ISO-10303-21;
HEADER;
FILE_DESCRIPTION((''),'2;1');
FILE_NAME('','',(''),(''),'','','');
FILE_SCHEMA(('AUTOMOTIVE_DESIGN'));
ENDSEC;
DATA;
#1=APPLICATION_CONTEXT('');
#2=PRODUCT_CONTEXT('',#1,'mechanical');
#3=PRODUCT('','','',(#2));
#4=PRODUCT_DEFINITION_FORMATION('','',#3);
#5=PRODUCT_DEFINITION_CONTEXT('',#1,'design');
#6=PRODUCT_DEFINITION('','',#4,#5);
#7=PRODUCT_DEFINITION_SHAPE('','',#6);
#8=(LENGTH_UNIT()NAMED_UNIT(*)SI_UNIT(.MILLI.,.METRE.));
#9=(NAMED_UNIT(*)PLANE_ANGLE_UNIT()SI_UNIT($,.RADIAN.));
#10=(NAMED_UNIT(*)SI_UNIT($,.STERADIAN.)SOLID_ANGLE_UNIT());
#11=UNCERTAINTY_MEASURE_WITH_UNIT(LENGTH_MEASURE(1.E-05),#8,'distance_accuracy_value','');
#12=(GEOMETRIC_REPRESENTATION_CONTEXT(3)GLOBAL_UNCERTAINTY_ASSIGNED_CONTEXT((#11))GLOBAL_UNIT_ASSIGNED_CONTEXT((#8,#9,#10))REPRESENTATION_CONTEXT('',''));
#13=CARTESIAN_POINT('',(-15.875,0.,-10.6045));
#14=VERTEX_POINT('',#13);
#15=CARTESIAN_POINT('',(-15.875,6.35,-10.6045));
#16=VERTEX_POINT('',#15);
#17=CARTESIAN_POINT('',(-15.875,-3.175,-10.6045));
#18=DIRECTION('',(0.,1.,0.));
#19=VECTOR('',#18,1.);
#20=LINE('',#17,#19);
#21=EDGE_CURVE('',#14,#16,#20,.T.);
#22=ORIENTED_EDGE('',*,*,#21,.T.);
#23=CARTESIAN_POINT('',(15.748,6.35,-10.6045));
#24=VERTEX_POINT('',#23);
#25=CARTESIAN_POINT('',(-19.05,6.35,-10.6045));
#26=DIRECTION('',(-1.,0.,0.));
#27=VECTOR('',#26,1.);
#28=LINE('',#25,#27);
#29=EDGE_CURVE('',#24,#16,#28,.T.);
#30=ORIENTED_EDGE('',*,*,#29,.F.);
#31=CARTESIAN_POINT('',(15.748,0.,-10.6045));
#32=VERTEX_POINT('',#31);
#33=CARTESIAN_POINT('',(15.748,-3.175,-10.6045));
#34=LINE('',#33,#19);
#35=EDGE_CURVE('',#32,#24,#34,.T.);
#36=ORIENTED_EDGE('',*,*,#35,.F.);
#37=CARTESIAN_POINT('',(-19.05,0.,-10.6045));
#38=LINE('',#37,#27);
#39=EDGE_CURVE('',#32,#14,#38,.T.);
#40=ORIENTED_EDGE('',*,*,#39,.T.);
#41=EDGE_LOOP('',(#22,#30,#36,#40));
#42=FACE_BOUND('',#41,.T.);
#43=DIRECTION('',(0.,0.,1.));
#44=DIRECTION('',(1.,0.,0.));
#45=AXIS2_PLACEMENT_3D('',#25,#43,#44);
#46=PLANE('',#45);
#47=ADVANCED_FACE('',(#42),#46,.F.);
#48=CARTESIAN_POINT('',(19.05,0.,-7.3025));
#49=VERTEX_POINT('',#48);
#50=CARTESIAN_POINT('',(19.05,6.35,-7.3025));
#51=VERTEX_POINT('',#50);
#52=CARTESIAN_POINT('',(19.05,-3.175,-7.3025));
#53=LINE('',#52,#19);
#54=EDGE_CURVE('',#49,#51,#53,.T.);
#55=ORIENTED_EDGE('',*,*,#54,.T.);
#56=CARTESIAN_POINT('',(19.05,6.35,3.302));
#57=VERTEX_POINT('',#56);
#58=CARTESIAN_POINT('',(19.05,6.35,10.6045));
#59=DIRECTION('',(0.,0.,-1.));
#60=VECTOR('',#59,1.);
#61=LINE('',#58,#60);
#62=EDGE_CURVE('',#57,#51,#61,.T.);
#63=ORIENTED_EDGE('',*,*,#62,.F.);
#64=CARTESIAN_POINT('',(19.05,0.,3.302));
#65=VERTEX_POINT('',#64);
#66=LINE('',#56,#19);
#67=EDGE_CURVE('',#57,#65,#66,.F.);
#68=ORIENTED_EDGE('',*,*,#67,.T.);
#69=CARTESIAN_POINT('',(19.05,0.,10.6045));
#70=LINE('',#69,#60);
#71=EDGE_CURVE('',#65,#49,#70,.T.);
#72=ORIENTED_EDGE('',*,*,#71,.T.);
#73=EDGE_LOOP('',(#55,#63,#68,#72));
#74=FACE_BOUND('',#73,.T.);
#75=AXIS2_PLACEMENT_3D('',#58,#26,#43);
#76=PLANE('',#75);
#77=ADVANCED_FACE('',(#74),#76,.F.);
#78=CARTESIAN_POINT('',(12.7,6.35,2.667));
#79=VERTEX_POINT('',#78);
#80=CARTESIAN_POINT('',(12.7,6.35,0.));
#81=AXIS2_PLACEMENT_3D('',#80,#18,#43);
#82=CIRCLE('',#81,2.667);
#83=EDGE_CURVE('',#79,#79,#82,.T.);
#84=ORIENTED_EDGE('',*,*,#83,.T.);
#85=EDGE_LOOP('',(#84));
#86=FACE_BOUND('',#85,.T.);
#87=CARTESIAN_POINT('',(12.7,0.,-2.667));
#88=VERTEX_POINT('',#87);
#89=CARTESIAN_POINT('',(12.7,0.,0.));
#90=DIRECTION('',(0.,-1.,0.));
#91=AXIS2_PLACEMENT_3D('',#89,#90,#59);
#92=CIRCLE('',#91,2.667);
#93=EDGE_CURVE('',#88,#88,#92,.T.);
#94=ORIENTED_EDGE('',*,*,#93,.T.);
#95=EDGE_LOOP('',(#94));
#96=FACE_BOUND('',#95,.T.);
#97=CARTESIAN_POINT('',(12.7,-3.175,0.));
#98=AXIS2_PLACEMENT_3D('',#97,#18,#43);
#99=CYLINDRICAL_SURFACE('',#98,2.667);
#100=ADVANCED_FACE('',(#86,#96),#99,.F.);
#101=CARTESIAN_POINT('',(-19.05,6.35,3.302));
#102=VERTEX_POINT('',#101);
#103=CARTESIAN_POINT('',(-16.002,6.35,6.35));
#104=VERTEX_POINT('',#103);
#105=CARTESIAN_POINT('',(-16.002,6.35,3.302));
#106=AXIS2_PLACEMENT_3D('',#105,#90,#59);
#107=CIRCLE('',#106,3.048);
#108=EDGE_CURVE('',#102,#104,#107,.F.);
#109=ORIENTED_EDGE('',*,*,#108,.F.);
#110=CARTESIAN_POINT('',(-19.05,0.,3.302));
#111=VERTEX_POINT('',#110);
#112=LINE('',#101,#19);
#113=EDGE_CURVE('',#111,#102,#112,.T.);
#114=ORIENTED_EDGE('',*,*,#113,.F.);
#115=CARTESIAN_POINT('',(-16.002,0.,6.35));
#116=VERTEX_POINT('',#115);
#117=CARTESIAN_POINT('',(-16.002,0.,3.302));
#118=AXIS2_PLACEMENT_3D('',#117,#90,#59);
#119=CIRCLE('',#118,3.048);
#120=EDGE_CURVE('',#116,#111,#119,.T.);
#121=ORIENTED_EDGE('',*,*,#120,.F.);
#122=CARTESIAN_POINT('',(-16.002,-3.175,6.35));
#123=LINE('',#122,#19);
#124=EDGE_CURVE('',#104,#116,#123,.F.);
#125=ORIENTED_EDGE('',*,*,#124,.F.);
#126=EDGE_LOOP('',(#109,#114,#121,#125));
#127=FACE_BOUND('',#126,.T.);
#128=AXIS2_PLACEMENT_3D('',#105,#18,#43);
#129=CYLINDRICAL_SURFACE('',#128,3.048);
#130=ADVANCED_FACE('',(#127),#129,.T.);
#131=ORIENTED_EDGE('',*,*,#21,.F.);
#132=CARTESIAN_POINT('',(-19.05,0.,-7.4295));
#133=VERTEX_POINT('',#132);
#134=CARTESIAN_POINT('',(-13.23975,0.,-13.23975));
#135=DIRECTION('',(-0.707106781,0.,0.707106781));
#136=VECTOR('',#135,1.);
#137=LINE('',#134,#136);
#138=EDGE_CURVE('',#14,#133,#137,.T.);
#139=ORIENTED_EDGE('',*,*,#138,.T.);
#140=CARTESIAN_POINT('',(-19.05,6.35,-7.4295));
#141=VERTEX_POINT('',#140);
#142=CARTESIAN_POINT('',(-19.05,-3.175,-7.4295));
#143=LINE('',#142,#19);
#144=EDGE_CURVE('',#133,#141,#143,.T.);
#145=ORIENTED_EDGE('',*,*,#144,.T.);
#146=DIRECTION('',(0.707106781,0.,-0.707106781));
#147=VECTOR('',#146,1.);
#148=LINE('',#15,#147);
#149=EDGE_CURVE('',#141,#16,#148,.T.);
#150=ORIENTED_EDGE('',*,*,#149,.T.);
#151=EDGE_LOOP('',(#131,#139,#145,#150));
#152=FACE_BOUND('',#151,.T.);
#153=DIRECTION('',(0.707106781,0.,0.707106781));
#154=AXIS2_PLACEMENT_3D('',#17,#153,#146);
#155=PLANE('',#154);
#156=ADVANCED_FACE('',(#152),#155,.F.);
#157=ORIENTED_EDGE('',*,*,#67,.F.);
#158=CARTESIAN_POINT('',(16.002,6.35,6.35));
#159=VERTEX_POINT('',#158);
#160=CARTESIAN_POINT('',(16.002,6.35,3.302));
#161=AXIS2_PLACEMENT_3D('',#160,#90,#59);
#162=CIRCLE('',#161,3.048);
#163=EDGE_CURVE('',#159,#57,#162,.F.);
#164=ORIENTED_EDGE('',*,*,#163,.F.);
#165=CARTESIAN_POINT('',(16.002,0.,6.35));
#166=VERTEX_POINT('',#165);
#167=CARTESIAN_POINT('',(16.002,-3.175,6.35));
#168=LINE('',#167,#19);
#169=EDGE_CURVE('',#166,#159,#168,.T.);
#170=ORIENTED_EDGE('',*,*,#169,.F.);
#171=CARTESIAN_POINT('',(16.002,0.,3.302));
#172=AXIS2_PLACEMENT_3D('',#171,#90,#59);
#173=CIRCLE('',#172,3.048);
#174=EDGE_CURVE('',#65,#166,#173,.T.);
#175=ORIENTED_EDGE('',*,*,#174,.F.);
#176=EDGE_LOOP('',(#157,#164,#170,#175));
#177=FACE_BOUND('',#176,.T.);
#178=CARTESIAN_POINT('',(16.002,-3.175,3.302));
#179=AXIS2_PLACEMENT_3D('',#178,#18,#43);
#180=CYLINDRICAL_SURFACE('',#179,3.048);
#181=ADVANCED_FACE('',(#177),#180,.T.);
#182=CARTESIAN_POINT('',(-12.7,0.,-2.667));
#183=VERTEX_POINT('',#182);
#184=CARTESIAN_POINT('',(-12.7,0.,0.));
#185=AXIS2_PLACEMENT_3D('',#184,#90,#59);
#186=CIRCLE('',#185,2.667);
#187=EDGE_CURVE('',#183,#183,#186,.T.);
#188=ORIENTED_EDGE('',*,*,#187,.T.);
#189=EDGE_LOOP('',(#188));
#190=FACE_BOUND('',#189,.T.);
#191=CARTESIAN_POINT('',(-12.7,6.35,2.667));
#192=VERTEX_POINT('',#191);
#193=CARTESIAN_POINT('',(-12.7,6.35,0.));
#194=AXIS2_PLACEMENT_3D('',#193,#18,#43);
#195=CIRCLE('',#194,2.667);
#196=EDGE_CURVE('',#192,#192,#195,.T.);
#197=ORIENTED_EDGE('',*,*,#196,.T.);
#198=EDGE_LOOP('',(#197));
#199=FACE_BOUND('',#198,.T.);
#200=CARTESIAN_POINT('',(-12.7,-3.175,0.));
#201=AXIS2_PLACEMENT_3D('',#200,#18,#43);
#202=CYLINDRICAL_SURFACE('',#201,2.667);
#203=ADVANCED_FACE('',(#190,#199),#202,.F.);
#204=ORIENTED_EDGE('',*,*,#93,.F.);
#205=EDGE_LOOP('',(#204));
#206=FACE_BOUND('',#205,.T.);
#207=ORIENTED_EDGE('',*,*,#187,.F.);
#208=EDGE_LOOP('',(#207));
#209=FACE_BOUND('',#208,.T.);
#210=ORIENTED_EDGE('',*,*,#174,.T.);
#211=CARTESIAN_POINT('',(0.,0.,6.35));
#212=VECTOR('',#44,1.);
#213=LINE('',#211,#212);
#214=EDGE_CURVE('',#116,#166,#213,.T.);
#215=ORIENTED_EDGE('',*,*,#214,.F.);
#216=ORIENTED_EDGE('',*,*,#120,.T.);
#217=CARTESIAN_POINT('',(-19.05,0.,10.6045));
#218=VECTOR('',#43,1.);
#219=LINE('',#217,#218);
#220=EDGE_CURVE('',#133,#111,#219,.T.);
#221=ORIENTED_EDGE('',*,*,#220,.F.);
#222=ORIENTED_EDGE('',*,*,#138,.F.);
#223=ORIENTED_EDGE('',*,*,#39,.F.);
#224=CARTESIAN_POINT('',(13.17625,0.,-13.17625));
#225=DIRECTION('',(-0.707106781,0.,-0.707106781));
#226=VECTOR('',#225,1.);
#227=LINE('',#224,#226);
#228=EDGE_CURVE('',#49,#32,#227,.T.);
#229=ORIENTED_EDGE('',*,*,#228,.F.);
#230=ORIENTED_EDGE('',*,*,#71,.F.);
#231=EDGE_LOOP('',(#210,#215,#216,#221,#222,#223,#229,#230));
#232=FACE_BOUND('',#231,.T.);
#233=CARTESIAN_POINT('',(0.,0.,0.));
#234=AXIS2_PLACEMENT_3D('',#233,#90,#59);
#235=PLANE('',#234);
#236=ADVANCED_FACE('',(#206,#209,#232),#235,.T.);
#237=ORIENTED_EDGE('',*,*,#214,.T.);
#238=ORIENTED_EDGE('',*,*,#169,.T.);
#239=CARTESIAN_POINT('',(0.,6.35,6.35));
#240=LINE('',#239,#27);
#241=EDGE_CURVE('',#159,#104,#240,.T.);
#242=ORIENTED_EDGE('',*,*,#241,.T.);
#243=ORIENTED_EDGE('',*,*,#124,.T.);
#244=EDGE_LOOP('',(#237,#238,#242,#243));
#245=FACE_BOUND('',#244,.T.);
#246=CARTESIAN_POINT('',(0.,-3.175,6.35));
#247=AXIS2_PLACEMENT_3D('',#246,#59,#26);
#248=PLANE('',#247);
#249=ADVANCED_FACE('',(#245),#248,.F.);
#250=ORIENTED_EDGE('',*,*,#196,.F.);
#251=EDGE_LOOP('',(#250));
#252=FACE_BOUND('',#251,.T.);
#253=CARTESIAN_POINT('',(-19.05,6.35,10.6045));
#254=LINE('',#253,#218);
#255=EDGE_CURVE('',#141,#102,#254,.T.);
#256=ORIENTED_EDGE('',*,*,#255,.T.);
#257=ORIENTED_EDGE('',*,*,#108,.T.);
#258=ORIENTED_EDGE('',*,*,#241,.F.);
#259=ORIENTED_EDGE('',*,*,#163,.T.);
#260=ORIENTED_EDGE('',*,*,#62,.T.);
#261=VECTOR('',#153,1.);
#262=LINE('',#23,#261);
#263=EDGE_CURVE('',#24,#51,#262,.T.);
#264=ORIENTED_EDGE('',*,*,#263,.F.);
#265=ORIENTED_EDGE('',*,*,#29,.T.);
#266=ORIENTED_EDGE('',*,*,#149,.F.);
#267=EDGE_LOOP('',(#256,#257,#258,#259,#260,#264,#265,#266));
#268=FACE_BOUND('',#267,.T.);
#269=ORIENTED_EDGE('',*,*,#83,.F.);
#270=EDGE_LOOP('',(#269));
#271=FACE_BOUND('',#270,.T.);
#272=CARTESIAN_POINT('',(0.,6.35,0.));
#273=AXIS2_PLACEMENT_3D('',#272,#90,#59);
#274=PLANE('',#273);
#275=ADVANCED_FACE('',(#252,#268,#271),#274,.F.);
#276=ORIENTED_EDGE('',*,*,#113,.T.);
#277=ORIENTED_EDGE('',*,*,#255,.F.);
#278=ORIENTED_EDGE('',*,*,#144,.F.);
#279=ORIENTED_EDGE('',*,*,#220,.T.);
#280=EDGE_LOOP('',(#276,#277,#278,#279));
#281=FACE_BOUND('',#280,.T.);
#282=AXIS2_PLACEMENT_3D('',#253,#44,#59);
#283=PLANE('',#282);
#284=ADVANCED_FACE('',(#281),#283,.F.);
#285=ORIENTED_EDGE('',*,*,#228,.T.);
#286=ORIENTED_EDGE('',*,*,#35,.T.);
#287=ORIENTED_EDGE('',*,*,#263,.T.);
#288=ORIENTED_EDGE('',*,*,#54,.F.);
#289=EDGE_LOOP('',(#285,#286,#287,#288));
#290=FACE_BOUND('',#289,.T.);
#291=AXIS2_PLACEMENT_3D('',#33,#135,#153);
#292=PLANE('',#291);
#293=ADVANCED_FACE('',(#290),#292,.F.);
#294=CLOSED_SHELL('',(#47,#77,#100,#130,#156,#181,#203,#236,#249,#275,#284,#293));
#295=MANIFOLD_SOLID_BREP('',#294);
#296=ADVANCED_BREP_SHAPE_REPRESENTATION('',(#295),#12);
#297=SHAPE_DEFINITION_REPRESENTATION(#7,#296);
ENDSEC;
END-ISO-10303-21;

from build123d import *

# Parameters (mm, degrees)
SKETCH1_W           = 38.1
SKETCH1_H           = 21.209
BOSS_EXTRUDE1_DEPTH = 6.35
SKETCH2_R           = 2.667
CUT_EXTRUDE1_DEPTH  = 9.525
CUT_EXTRUDE2_DEPTH  = 9.525
CUT_EXTRUDE4_DEPTH  = 9.525
FILLET2_R           = 3.048


with BuildPart() as part:
    # Sketch1 → Boss-Extrude1 (new body)
    with BuildSketch(Plane(origin=(0, 0, 0), x_dir=(1, 0, 0), z_dir=(0, 1, 0))):
        Rectangle(SKETCH1_W, SKETCH1_H)
    extrude(amount=BOSS_EXTRUDE1_DEPTH)

    # Sketch2 → Cut-Extrude1 (cut)
    with BuildSketch(Plane(origin=(0, 6.35, 0), x_dir=(1, 0, 0), z_dir=(0, 1, 0))):
        with Locations((-12.7, 0)):
            Circle(SKETCH2_R)
        with Locations((12.7, 0)):
            Circle(SKETCH2_R)
    extrude(amount=-CUT_EXTRUDE1_DEPTH, mode=Mode.SUBTRACT)

    # Sketch3 → Cut-Extrude2 (cut)
    with BuildSketch(Plane(origin=(0, 6.35, 0), x_dir=(1, 0, 0), z_dir=(0, 1, 0))):
        Polygon((-19.05, 10.6045), (-15.875, 10.6045), (-19.05, 7.4295), align=None)
        Polygon((19.05, 10.6045), (15.748, 10.6045), (19.05, 7.3025), align=None)
        Polygon((19.05, -10.6045), (15.748, -10.6045), (19.05, -7.3025), align=None)
        Polygon((-19.05, -10.6045), (-15.875, -10.6045), (-19.05, -7.4295), align=None)
    extrude(amount=-CUT_EXTRUDE2_DEPTH, mode=Mode.SUBTRACT)

    # Sketch4 → Cut-Extrude4 (cut)
    with BuildSketch(Plane(origin=(0, 6.35, 0), x_dir=(1, 0, 0), z_dir=(0, 1, 0))):
        Polygon((-19.05, -7.4295), (-15.875, -10.6045), (-15.875, -6.35), (-19.05, -6.35), align=None)
        Polygon((15.748, -10.6045), (19.05, -7.3025), (19.05, -6.35), (-15.875, -6.35), (-15.875, -10.6045), align=None)
    extrude(amount=-CUT_EXTRUDE4_DEPTH, mode=Mode.SUBTRACT)

    # Fillet2
    fillet2_edges = [part.edges().sort_by_distance(p)[0] for p in [
        (-19.05, 3.175, 6.35),
        (19.05, 3.175, 6.35),
    ]]
    fillet(fillet2_edges, radius=FILLET2_R)


solid = part.part
